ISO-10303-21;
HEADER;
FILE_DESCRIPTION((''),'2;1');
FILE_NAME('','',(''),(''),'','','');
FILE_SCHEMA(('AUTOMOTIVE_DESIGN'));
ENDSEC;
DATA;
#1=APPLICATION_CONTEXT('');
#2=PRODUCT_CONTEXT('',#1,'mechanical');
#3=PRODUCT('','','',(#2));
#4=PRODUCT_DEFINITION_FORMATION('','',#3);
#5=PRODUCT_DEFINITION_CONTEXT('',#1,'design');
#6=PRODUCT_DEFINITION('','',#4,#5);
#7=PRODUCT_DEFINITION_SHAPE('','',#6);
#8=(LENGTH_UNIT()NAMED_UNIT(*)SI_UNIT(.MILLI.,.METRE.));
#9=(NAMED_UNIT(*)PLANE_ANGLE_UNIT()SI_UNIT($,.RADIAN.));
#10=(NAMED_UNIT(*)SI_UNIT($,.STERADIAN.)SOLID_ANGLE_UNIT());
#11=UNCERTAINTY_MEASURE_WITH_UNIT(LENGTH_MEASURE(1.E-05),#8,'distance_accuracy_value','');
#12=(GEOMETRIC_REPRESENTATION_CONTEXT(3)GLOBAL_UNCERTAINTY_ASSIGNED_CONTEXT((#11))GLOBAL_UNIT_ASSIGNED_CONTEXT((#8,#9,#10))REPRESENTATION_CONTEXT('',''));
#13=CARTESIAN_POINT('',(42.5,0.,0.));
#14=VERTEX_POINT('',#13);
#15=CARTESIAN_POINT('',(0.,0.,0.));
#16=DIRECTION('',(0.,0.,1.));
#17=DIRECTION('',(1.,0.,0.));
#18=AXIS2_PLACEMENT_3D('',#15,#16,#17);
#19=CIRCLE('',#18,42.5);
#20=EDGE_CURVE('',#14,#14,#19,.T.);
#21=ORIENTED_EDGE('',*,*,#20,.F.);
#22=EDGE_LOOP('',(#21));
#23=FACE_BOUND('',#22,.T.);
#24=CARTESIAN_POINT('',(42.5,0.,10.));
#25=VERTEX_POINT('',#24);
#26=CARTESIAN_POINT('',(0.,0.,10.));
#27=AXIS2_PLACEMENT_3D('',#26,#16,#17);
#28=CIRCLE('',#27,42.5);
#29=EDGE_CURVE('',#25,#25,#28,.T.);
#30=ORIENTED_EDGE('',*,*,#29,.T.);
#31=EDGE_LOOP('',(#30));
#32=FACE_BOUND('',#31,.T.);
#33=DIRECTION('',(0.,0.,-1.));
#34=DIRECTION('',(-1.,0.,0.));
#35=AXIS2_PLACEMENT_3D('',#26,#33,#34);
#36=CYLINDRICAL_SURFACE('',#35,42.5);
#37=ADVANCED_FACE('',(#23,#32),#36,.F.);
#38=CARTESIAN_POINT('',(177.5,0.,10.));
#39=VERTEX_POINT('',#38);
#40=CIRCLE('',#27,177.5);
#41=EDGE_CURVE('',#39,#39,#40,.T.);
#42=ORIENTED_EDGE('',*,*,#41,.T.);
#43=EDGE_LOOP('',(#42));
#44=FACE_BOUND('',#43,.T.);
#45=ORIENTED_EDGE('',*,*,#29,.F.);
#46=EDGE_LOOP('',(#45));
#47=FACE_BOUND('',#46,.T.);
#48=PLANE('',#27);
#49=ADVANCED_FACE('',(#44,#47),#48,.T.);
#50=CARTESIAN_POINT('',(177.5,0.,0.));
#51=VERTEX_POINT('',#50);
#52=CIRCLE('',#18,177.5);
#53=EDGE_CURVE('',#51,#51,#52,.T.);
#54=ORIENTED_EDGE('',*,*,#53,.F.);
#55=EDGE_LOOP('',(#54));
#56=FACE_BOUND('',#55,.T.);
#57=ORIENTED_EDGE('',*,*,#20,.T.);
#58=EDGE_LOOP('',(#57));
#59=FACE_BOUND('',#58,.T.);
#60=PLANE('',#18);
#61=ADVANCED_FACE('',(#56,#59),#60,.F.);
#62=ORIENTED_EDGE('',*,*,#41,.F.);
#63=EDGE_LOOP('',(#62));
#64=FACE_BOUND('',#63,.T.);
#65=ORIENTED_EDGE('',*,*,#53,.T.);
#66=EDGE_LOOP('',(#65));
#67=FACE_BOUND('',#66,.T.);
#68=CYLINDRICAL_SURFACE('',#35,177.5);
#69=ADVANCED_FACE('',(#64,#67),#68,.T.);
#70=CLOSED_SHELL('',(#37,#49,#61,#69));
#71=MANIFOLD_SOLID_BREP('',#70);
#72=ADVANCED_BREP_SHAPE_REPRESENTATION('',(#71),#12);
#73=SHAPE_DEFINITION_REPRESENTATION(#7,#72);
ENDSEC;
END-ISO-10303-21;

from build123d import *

# Parameters (mm, degrees)
CROQUIS6_R              = 177.5
CROQUIS6_R_2            = 42.5
SALIENTE_EXTRUIR1_DEPTH = 10


with BuildPart() as part:
    # Croquis6 → Saliente-Extruir1 (new body)
    with BuildSketch(Plane.XY):
        Circle(CROQUIS6_R)
        Circle(CROQUIS6_R_2, mode=Mode.SUBTRACT)
    extrude(amount=SALIENTE_EXTRUIR1_DEPTH)


solid = part.part
